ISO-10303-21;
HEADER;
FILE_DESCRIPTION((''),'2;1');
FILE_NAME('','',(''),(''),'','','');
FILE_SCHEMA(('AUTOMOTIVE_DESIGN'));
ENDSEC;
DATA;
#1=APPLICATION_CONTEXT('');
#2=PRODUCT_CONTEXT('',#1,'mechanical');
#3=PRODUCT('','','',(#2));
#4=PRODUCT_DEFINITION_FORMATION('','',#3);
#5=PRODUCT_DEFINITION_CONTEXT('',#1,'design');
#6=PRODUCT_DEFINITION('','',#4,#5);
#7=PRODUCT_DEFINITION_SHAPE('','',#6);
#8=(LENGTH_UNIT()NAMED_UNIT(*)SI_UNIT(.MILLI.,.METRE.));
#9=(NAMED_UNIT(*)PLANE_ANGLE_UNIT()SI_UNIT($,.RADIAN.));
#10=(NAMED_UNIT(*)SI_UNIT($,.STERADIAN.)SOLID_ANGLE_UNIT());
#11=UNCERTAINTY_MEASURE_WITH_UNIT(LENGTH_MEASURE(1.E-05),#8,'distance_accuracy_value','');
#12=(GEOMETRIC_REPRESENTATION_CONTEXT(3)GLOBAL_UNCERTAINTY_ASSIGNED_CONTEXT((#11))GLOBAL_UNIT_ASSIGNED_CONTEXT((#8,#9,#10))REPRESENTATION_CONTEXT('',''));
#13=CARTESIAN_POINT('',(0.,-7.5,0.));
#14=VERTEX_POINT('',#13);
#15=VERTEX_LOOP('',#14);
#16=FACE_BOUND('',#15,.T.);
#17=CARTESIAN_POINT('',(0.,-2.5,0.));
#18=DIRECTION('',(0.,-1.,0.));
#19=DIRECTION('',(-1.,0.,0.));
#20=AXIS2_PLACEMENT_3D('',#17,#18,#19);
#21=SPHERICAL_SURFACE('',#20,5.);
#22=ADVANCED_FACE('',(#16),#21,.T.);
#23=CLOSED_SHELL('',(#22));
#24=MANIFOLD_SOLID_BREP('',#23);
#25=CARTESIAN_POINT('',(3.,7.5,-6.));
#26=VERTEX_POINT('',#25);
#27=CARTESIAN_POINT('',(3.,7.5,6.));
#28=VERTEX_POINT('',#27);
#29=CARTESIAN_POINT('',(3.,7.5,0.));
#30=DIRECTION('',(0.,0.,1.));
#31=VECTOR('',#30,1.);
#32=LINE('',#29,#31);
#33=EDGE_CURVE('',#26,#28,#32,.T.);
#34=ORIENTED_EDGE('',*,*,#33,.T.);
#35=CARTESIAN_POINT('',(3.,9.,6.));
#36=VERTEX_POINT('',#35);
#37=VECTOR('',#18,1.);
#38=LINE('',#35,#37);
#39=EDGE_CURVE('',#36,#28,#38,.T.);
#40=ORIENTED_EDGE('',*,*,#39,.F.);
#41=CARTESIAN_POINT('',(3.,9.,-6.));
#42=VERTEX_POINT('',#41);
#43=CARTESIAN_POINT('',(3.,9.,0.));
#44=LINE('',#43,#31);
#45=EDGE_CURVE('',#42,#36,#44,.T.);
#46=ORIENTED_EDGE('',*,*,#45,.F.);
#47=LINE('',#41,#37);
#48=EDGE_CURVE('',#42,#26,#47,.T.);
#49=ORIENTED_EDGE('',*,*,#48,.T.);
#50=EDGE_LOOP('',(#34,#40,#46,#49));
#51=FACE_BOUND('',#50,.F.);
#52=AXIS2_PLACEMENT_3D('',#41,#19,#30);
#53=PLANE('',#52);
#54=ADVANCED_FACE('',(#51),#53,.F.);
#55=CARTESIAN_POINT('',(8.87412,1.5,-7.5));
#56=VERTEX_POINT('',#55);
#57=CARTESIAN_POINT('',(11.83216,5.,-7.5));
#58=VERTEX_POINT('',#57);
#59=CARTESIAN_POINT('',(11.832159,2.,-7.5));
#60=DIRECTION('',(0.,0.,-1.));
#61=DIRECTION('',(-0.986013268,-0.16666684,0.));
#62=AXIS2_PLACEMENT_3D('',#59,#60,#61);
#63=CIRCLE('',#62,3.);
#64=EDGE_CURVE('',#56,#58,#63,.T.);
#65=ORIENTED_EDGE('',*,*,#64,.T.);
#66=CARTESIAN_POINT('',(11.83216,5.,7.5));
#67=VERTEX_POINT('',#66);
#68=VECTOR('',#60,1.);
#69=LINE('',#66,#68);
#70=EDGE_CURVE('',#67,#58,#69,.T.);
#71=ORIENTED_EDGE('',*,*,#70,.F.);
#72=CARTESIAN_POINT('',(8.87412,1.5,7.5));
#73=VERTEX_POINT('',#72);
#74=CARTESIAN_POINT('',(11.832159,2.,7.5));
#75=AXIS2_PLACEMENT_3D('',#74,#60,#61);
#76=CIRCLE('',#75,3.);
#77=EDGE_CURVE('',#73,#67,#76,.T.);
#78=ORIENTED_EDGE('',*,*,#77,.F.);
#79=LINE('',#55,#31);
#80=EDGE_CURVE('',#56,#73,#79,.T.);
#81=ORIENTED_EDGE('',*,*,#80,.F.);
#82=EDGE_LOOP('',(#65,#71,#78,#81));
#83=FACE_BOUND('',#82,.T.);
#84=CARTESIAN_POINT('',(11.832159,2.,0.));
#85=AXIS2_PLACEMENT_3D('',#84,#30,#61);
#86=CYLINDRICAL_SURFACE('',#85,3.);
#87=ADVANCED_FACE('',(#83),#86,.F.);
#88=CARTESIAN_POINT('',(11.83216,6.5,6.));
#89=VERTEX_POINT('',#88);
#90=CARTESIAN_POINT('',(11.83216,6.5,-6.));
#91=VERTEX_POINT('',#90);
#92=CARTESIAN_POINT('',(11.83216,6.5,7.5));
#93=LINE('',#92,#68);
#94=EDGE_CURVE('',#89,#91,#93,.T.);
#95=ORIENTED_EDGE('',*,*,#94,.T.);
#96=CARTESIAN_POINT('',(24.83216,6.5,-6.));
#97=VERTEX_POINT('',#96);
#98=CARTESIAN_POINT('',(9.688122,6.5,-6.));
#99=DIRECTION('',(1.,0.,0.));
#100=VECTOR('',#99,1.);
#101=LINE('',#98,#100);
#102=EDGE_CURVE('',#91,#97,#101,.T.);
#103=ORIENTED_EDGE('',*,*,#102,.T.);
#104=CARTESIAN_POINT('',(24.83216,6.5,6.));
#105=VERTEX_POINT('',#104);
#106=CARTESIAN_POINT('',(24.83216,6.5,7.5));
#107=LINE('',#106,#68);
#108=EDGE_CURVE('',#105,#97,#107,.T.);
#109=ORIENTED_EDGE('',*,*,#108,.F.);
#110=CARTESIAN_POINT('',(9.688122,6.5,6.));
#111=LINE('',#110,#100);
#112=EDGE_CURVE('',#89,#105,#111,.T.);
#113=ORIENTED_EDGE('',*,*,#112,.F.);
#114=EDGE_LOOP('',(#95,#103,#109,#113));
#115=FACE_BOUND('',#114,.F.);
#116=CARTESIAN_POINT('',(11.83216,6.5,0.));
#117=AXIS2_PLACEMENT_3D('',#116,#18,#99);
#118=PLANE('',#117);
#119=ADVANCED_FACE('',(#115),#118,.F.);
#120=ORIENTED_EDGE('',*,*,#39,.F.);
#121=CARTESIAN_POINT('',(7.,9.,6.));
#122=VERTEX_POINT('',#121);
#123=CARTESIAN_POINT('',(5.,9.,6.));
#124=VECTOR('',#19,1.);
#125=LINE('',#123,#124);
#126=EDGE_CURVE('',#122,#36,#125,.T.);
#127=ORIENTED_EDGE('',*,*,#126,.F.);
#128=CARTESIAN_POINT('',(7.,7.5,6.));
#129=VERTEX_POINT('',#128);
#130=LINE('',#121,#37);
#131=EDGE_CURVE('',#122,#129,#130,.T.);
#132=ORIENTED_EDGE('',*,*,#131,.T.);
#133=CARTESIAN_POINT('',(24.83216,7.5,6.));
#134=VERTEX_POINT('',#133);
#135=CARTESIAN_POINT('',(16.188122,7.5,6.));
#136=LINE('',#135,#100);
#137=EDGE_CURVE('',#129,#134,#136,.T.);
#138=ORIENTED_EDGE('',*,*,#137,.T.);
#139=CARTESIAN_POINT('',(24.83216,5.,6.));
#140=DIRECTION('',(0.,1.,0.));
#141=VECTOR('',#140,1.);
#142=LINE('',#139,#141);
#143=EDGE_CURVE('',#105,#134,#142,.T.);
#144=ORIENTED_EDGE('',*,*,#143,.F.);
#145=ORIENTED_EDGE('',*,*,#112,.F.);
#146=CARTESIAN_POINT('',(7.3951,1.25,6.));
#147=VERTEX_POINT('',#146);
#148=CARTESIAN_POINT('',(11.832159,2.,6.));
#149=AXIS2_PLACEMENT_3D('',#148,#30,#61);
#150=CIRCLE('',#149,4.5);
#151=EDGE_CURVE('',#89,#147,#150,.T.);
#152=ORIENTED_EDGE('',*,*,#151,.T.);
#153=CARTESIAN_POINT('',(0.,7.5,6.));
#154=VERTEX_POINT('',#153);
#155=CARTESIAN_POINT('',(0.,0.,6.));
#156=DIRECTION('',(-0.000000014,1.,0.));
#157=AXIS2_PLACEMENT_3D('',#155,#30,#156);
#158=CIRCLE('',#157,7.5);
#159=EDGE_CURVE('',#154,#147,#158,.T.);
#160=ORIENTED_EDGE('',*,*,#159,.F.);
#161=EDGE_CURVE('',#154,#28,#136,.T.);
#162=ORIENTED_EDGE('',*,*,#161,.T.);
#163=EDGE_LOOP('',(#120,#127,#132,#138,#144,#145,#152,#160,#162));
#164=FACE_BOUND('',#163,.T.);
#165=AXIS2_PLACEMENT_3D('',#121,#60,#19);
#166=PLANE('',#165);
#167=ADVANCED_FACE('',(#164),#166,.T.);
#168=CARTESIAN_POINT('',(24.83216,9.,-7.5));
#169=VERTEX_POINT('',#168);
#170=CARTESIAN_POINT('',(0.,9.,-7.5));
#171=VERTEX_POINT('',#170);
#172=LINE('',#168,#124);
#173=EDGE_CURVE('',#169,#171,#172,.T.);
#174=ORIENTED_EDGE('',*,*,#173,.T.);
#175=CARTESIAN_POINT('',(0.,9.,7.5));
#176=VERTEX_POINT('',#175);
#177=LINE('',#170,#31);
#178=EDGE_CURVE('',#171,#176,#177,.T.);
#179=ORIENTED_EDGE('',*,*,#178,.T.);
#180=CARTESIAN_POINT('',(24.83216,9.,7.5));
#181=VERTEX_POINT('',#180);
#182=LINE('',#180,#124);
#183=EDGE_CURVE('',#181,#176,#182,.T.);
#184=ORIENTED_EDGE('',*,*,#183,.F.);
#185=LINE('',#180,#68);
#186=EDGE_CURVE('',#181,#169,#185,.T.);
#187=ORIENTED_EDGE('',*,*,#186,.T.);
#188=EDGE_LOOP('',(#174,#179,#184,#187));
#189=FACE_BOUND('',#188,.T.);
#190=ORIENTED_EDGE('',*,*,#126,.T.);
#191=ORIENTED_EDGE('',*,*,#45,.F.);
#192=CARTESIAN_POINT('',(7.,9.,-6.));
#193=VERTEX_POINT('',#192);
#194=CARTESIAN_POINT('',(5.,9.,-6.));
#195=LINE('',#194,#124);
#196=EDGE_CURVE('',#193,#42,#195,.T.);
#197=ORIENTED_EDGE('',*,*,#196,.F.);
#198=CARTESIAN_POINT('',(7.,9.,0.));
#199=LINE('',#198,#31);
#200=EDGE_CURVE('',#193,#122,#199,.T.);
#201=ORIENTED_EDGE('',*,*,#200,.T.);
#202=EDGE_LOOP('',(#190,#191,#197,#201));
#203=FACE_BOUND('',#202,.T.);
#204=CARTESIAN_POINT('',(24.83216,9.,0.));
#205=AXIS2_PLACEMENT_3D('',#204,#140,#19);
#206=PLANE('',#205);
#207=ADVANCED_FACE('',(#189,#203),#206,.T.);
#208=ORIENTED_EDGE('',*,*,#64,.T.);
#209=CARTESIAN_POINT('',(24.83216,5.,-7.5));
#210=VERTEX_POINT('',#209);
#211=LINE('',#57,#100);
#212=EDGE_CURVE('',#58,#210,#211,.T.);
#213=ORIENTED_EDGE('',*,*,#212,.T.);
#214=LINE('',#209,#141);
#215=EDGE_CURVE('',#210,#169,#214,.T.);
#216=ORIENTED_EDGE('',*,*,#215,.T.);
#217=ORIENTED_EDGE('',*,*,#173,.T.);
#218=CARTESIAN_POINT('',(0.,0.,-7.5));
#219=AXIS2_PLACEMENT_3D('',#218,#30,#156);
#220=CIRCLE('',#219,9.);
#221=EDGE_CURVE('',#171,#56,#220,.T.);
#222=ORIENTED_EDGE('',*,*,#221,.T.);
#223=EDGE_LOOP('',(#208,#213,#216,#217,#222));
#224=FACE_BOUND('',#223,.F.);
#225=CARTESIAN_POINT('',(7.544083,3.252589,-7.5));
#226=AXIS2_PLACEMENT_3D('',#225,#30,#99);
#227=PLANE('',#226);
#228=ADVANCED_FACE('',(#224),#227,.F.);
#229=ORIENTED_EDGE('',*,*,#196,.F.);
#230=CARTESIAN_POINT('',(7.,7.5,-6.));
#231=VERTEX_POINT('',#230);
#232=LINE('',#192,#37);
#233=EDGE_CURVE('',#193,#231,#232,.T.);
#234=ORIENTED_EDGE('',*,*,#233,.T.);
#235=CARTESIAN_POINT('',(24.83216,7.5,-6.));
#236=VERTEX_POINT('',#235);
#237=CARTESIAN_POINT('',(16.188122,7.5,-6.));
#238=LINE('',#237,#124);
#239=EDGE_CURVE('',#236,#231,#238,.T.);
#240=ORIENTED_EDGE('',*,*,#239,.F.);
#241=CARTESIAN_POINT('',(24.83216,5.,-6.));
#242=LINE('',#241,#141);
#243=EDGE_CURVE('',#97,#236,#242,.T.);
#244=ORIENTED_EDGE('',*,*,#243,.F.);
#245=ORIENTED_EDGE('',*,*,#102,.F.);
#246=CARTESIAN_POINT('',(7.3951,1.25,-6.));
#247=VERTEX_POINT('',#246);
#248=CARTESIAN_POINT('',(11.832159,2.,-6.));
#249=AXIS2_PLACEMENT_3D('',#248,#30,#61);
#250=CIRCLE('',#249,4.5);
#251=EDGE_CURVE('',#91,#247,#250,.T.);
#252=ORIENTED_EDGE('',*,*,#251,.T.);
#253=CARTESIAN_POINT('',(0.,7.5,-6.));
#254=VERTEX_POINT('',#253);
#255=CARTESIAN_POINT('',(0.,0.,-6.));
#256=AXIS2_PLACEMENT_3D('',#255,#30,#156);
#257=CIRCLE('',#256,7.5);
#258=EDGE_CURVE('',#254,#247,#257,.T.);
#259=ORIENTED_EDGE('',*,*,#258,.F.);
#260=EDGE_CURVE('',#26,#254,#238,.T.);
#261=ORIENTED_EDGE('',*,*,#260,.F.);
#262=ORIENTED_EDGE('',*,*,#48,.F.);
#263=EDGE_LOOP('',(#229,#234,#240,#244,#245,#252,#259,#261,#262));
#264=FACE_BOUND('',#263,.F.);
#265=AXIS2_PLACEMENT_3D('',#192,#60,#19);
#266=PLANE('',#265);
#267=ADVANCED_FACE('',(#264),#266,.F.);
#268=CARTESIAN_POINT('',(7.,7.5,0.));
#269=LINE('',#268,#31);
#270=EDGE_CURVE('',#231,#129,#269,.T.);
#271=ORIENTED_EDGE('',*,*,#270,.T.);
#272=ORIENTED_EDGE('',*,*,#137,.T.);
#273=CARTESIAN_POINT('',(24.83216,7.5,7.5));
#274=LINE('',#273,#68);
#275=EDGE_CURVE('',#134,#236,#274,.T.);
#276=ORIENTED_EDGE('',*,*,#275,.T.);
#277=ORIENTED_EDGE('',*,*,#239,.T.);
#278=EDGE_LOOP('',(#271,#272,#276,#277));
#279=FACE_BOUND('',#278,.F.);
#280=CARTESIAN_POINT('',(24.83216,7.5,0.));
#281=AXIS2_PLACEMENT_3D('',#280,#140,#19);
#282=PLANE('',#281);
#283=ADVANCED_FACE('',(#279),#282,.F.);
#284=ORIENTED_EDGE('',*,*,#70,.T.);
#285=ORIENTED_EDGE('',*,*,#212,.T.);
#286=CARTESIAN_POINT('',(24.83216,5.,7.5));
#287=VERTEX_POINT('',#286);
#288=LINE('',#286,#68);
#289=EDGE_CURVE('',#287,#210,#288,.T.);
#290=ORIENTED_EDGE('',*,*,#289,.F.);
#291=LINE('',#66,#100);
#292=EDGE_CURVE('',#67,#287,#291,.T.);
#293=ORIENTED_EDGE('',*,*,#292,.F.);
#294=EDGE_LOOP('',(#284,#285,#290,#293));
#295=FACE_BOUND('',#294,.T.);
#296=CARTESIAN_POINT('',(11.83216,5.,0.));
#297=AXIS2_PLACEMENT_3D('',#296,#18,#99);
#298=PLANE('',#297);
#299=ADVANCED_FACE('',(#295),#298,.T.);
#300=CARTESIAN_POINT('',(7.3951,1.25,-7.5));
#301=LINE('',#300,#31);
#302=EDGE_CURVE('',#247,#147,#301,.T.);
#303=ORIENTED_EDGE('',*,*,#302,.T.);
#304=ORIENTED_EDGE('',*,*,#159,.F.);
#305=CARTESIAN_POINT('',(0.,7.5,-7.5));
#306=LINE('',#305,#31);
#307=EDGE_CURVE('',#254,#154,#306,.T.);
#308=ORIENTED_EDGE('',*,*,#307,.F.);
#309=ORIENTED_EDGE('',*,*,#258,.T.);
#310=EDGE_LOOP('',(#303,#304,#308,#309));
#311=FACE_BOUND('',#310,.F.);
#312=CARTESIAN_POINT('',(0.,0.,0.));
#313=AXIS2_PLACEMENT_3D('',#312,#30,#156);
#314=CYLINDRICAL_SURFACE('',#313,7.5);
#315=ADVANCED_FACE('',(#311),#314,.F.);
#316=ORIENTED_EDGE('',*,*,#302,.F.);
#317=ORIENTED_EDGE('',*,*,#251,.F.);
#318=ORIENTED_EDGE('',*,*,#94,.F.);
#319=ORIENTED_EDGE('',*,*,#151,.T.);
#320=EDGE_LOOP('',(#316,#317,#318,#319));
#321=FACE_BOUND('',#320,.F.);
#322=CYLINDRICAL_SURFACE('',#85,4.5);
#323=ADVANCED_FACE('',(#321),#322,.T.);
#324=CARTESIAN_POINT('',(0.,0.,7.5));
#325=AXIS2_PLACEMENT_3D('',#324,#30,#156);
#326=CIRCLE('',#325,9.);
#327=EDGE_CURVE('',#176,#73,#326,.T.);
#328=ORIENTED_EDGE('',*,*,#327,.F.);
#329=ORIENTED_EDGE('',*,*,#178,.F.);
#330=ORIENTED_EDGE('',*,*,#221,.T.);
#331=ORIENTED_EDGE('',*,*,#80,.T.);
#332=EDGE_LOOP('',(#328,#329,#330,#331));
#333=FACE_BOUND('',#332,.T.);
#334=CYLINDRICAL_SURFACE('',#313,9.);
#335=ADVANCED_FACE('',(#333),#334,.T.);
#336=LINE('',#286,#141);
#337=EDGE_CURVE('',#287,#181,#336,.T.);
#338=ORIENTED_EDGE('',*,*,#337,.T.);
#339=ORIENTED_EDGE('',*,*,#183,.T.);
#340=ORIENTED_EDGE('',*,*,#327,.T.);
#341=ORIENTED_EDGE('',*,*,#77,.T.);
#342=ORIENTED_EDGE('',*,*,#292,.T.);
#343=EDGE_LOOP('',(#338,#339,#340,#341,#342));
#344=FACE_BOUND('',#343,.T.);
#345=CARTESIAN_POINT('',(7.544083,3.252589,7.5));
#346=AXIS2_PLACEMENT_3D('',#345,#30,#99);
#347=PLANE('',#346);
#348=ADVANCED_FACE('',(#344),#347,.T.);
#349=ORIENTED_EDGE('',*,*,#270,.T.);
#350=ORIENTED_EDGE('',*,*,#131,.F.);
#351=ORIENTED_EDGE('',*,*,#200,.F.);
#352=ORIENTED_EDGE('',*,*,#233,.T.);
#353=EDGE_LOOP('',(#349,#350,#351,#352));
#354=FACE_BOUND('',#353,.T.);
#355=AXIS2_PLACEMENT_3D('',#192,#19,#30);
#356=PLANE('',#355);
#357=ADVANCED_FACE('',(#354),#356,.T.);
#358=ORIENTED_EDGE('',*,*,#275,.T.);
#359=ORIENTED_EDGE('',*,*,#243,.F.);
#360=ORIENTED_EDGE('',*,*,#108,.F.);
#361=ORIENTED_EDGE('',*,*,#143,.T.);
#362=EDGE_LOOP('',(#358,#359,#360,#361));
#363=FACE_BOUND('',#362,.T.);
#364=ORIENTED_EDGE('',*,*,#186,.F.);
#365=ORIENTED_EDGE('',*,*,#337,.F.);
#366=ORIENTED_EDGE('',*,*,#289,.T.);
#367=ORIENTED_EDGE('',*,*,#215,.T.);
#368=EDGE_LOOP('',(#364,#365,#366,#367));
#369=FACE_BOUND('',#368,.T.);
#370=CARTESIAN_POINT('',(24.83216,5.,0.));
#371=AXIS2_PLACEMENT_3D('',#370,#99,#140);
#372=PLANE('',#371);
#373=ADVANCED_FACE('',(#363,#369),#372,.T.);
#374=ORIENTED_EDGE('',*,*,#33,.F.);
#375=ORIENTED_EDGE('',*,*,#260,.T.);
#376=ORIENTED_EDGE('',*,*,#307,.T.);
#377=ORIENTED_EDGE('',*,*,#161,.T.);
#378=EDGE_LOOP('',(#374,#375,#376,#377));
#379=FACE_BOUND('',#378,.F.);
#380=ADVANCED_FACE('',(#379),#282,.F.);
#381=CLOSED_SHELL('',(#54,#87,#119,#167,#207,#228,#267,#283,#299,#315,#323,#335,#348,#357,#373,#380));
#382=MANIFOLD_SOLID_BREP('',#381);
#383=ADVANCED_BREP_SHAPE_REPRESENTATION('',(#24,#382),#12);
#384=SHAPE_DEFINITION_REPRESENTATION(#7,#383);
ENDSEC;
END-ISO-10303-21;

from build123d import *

# Parameters (mm, degrees)
F1_DEPTH = 7.5
F2_T     = -1.5
F3_W     = 4
F3_H     = 12
F4_DEPTH = 1.5


with BuildPart() as f1:
    # F0 (on Top) → F1 (new body, symmetric)
    with BuildSketch(Plane.XY):
        with BuildLine():
            Line((24.83216, 9), (0, 9))
            ThreePointArc((0, 9), (-5.809475, -6.873864), (8.87412, 1.5))
            ThreePointArc((8.87412, 1.5), (9.540872, 3.936492), (11.83216, 5))
            Line((11.83216, 5), (24.83216, 5))
            Line((24.83216, 5), (24.83216, 9))
        make_face()
    extrude(amount=F1_DEPTH, both=True)

    # F2
    f2_openings = [f1.faces().sort_by_distance(p)[0] for p in [
        (24.83216, 7, 0),
    ]]
    offset(amount=F2_T, openings=f2_openings)

    # F3 (on face) → F4 (cut)
    with BuildSketch(Plane(origin=(0, 9, 0), x_dir=(-1, 0, 0), z_dir=(0, 1, 0))):
        with Locations((-5, 0)):
            Rectangle(F3_W, F3_H)
    extrude(amount=-F4_DEPTH, mode=Mode.SUBTRACT)


with BuildPart() as f6:
    # F5 (on Top) → F6 (revolve)
    with BuildSketch(Plane.XY):
        with BuildLine():
            ThreePointArc((0, 2.5), (-5, -2.5), (0, -7.5))
            Line((0, -7.5), (0, 2.5))
        make_face()
    revolve(axis=Axis((0, -2.5, 0), (0, -1, 0)))


solid = Compound([f1.part, f6.part])
